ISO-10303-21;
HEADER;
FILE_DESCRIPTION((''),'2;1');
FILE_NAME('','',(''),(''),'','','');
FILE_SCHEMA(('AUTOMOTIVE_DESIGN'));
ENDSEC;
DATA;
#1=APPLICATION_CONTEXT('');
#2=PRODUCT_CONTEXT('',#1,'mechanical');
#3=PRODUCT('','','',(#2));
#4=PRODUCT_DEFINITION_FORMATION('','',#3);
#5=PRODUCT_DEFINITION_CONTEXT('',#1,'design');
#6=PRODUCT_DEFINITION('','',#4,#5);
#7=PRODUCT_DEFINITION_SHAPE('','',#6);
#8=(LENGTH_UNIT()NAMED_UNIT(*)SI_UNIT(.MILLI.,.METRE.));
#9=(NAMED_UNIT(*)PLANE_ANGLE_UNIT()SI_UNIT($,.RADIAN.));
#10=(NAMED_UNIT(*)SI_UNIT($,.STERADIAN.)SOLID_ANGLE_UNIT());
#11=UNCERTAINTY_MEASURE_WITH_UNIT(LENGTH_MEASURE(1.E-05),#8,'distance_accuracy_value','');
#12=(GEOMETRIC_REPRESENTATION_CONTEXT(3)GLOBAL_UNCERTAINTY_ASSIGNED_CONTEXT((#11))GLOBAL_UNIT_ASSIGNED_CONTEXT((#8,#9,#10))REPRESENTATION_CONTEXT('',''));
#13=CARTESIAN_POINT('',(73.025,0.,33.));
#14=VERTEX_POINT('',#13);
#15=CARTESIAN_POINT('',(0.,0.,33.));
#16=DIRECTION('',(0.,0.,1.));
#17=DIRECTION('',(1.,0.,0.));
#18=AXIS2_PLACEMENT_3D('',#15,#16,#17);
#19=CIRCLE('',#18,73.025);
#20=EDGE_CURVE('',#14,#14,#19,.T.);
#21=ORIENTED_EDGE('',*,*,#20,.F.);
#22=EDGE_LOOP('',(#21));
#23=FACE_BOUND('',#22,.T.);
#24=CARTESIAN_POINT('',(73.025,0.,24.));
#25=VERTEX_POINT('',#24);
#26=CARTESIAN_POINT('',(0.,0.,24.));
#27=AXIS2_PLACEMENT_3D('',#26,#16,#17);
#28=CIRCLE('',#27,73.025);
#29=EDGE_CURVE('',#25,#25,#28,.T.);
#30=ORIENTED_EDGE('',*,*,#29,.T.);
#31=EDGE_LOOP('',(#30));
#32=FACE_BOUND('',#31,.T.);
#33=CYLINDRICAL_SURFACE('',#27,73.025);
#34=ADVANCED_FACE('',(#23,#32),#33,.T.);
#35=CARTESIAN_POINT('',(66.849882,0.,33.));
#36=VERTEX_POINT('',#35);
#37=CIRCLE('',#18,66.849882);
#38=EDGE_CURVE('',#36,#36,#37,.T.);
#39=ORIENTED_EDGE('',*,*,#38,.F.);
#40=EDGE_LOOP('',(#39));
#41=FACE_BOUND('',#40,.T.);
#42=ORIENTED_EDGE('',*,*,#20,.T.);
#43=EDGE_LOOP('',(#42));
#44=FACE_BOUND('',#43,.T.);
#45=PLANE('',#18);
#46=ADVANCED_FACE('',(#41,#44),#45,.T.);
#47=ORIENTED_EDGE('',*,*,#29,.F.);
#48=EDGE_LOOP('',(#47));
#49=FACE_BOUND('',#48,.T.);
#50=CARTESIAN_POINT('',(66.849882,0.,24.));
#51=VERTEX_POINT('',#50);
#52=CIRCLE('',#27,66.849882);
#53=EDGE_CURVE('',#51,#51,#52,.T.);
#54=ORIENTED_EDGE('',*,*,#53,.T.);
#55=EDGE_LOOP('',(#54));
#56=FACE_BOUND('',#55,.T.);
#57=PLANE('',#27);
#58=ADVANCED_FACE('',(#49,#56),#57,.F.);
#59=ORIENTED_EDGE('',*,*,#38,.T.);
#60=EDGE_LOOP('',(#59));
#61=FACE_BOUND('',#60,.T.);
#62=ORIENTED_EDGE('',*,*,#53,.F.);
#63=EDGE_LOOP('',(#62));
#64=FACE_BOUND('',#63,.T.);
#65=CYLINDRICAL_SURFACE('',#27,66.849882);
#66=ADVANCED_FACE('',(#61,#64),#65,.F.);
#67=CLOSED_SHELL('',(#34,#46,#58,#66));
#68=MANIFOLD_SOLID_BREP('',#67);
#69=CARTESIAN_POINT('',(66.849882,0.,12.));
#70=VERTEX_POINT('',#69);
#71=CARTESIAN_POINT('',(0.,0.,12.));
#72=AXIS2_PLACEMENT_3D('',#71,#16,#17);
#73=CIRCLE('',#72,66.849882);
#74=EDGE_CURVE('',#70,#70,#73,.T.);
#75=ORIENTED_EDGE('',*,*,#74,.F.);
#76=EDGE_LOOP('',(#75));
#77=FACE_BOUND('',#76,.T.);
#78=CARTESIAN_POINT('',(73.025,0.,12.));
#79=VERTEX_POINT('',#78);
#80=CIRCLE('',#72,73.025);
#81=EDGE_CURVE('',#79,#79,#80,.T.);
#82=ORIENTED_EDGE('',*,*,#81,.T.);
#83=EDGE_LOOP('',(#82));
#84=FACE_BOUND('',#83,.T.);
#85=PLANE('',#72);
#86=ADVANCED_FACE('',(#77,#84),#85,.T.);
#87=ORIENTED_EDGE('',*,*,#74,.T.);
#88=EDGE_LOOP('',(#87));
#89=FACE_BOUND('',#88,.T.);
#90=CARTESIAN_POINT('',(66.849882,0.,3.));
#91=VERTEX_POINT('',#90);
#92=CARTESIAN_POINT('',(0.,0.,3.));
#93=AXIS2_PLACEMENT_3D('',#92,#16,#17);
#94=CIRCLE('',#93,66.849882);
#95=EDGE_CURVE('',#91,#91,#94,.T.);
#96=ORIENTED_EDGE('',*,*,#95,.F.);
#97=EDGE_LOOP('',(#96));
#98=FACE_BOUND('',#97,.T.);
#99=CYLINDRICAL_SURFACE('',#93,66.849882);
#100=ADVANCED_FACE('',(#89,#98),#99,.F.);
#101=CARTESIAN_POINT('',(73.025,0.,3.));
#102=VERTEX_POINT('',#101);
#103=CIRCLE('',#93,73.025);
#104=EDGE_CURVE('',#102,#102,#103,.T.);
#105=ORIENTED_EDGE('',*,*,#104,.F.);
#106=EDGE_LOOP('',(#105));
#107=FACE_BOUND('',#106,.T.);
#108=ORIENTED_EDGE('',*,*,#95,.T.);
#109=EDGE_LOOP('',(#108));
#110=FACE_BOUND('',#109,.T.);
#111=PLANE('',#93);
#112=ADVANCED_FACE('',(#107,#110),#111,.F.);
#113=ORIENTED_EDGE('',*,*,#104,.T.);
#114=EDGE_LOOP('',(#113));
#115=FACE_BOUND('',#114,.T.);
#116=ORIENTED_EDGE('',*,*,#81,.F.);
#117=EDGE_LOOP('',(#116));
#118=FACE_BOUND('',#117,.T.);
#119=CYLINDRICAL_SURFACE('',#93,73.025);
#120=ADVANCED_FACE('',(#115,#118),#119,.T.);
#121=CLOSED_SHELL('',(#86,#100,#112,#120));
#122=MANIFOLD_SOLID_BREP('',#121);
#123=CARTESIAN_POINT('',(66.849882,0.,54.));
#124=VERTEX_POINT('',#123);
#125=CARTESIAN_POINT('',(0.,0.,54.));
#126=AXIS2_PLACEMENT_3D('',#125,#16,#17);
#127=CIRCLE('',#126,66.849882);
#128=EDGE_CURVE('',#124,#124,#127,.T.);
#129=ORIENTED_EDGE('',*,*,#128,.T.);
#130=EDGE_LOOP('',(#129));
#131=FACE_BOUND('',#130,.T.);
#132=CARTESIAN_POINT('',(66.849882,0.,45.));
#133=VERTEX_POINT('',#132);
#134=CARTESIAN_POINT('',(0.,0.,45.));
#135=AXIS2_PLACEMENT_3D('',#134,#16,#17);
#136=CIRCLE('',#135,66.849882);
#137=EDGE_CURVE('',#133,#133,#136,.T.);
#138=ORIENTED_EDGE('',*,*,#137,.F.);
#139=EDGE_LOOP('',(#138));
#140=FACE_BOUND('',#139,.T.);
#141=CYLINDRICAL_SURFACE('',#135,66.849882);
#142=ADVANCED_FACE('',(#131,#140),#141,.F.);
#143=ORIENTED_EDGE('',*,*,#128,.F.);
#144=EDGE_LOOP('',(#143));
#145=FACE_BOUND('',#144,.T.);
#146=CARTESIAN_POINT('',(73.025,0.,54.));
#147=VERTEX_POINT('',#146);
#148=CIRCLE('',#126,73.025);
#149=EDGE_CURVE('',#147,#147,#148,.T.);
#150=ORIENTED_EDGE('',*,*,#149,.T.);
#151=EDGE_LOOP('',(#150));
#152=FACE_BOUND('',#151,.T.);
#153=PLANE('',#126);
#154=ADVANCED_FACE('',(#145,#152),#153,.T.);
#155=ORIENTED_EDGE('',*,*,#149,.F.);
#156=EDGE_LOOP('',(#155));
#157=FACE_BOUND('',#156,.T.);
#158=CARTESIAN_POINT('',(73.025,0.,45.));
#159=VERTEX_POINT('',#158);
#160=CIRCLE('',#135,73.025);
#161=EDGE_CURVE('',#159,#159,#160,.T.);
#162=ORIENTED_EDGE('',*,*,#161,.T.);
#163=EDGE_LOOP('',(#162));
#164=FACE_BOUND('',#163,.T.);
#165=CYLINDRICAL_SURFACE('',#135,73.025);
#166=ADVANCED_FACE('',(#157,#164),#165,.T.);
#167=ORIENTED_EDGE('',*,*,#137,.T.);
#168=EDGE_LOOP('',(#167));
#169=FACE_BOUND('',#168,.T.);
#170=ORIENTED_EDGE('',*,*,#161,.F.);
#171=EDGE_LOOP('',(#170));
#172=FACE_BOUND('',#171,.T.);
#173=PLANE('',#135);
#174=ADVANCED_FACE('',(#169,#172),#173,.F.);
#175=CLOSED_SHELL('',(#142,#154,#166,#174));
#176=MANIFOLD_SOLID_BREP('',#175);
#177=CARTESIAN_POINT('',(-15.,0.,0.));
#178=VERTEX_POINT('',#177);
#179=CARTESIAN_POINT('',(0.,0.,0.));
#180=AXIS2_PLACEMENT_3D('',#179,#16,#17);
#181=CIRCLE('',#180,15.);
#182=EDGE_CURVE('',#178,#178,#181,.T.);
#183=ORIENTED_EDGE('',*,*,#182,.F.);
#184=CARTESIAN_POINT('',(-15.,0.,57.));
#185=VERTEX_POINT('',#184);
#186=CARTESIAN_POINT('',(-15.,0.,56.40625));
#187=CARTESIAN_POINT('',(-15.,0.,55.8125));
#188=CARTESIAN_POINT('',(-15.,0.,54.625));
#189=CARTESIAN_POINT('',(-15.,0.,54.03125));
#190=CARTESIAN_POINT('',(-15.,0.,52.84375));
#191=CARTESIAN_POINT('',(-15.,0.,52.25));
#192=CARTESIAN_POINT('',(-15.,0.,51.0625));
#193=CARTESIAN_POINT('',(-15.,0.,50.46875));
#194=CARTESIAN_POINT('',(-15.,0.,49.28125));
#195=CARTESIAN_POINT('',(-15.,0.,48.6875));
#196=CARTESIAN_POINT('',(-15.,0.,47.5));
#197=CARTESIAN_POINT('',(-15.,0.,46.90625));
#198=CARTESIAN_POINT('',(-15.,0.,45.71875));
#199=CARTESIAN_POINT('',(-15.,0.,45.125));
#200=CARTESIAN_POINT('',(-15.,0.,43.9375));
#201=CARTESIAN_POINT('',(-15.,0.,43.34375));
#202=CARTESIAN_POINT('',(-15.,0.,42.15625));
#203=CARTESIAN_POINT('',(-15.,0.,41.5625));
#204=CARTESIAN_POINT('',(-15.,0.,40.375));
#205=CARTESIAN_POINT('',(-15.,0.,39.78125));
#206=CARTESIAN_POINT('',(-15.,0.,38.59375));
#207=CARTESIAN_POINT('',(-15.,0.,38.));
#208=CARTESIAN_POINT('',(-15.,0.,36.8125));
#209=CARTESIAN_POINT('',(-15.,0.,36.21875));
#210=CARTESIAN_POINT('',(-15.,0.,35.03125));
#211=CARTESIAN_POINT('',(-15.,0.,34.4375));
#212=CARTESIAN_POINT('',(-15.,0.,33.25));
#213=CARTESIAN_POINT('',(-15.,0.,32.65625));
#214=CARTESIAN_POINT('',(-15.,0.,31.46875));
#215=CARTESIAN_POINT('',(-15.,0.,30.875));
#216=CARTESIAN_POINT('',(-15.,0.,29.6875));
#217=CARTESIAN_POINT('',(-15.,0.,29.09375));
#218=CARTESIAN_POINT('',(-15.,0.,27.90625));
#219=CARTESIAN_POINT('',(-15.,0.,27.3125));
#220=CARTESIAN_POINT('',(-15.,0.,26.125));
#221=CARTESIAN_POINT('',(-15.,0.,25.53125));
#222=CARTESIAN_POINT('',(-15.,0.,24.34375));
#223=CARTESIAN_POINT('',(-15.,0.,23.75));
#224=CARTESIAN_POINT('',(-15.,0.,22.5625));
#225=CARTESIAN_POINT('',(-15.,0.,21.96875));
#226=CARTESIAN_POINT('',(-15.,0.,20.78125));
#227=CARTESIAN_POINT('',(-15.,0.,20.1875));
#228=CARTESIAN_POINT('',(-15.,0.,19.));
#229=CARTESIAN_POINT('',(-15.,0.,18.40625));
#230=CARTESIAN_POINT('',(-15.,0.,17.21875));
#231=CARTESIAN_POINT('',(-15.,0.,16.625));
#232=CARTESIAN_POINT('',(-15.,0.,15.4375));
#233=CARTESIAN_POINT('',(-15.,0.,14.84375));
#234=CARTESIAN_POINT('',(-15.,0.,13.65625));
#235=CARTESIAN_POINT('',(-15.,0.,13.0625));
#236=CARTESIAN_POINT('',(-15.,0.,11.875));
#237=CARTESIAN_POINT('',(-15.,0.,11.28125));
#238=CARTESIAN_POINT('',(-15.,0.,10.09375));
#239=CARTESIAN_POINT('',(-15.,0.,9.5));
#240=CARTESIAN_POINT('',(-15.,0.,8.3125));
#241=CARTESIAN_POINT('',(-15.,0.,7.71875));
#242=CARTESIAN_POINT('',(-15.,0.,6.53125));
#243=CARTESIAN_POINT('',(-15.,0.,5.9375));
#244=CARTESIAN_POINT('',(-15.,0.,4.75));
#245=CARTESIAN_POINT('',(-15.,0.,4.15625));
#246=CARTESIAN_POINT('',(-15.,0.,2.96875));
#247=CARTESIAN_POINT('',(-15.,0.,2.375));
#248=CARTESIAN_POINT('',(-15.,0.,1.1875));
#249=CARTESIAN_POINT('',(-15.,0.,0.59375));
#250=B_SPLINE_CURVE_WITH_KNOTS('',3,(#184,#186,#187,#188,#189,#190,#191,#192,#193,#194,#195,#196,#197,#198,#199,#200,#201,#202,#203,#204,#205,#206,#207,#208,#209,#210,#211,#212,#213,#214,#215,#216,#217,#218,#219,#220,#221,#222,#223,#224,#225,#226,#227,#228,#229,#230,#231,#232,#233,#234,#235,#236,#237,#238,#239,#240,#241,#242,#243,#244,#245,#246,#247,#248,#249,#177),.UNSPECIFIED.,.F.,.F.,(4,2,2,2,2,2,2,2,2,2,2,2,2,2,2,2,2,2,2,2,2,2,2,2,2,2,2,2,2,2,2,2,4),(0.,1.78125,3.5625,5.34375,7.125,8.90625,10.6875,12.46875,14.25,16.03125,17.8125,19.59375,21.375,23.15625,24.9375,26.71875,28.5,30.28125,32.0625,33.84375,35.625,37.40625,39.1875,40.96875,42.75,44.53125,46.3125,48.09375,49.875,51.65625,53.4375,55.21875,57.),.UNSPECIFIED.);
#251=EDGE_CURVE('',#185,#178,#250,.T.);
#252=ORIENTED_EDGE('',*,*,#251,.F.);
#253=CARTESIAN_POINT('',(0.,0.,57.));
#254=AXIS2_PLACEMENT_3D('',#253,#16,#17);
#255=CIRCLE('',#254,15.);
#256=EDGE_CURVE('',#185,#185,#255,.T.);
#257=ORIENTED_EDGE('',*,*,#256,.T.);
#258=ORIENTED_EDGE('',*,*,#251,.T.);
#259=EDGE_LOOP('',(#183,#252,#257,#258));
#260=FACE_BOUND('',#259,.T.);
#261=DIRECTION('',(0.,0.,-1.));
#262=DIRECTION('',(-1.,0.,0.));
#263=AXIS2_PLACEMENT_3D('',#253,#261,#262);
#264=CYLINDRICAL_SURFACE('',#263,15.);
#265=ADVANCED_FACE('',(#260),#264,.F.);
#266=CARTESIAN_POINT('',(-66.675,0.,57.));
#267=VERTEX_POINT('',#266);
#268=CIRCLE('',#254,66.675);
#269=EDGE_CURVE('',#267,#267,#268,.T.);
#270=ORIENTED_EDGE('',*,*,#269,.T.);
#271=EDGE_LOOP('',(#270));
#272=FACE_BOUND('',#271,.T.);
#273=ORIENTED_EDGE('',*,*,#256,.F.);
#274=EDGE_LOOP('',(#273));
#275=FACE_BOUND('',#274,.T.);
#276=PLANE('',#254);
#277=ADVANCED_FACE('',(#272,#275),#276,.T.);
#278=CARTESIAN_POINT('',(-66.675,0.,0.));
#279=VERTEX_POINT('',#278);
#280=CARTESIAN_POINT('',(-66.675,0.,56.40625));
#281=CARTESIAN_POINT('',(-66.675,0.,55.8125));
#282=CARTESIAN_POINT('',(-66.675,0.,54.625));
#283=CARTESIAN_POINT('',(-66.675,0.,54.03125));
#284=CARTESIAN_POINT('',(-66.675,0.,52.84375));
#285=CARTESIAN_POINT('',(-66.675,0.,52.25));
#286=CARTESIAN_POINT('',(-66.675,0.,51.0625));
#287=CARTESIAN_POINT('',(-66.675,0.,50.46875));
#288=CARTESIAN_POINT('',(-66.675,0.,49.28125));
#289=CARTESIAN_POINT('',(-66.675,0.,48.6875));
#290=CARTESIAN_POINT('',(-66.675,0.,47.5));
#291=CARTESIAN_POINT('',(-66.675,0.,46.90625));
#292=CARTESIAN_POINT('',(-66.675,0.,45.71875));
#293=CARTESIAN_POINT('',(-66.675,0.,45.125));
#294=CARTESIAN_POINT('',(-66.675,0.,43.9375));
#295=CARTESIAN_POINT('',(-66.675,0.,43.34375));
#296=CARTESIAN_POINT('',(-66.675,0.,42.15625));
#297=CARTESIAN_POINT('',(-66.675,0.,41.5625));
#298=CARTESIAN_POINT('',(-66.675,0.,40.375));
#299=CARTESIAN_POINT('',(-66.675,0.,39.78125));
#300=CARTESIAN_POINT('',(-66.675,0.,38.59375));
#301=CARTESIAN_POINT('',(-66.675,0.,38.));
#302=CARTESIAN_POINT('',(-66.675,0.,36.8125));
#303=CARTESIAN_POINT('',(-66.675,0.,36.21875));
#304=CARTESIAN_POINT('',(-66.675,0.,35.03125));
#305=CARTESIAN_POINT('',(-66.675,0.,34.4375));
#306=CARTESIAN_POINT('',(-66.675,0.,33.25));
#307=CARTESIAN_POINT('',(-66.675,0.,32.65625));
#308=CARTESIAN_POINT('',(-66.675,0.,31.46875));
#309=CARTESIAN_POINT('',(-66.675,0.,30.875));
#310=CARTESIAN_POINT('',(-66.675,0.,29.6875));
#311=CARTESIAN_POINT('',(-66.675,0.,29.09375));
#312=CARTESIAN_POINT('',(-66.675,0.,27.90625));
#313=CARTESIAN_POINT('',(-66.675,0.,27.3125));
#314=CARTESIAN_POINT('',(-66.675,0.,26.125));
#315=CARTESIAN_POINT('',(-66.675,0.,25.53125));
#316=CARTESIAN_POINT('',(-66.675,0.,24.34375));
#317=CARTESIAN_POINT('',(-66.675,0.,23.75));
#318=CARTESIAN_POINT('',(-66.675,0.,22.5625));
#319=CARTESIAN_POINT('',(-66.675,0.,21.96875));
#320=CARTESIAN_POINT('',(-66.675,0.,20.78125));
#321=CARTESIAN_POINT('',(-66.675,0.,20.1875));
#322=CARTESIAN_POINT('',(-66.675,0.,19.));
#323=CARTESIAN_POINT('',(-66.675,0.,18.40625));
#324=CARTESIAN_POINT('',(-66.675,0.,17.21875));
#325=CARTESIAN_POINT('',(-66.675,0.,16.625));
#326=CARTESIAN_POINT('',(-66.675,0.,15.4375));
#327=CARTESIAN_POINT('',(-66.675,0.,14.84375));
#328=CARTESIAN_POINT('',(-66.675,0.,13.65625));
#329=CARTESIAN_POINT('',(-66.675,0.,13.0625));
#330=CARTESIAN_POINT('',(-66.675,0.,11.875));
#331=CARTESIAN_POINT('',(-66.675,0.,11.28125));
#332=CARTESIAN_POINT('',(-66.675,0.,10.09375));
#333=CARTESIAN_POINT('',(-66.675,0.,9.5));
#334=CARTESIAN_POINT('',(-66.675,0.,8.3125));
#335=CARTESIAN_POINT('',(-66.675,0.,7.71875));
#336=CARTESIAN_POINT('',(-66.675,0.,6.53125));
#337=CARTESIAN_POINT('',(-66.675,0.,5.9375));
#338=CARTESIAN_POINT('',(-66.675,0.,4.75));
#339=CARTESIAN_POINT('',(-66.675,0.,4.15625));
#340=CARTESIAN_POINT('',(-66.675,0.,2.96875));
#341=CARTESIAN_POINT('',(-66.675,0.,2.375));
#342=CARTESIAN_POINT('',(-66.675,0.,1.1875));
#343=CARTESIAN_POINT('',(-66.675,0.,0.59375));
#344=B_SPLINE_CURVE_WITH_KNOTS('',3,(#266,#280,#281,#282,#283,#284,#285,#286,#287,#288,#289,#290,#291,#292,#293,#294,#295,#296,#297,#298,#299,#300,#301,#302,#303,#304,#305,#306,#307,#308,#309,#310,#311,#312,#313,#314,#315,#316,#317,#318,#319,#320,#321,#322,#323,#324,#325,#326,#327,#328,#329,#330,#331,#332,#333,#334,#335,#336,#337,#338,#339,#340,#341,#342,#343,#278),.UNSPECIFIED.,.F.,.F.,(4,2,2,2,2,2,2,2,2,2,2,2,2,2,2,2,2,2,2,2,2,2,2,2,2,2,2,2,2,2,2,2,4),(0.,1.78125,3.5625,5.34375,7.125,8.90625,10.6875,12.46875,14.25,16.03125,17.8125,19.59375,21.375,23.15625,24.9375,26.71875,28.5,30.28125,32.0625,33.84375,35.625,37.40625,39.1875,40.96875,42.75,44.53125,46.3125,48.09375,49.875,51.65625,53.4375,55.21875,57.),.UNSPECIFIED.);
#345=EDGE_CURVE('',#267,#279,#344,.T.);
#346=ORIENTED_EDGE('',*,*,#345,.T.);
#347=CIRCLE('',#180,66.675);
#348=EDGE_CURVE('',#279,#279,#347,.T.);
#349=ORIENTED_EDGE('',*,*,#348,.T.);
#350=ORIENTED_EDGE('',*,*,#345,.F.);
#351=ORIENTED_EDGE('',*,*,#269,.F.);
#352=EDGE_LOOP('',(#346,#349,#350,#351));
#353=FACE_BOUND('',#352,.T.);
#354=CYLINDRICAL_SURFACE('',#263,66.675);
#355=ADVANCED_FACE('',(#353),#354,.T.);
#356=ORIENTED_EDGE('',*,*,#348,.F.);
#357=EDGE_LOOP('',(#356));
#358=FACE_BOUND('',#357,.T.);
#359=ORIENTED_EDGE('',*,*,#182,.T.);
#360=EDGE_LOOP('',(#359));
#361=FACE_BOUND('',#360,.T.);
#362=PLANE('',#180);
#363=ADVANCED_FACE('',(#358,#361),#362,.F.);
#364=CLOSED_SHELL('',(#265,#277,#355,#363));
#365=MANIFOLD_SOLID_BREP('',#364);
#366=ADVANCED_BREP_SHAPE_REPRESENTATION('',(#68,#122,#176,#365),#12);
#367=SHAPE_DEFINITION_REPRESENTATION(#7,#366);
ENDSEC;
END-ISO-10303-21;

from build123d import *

# Parameters (mm, degrees)
SKETCH1_R           = 66.675
SKETCH1_R_2         = 15
BOSS_EXTRUDE1_DEPTH = 57
SKETCH2_R           = 73.025
SKETCH2_R_2         = 66.849881893
BOSS_EXTRUDE2_DEPTH = 9
LPATTERN1_COUNT     = 3
LPATTERN1_PITCH     = 21


with BuildPart() as part:
    # Sketch1 → Boss-Extrude1 (new body)
    with BuildSketch(Plane.XY):
        Circle(SKETCH1_R)
        Circle(SKETCH1_R_2, mode=Mode.SUBTRACT)
    extrude(amount=BOSS_EXTRUDE1_DEPTH)


with BuildPart() as body_2:
    # Sketch2 → Boss-Extrude2 (new body)
    with BuildSketch(Plane.XY.offset(54)):
        Circle(SKETCH2_R)
        Circle(SKETCH2_R_2, mode=Mode.SUBTRACT)
    boss_extrude2 = extrude(amount=-BOSS_EXTRUDE2_DEPTH)


with BuildPart() as lpattern1_1:
    # LPattern1: Boss-Extrude2 ×3
    with Locations(*[(0, 0, -i * LPATTERN1_PITCH) for i in range(1, LPATTERN1_COUNT)]):
        add(boss_extrude2)


solid = Compound([part.part, body_2.part, lpattern1_1.part])
